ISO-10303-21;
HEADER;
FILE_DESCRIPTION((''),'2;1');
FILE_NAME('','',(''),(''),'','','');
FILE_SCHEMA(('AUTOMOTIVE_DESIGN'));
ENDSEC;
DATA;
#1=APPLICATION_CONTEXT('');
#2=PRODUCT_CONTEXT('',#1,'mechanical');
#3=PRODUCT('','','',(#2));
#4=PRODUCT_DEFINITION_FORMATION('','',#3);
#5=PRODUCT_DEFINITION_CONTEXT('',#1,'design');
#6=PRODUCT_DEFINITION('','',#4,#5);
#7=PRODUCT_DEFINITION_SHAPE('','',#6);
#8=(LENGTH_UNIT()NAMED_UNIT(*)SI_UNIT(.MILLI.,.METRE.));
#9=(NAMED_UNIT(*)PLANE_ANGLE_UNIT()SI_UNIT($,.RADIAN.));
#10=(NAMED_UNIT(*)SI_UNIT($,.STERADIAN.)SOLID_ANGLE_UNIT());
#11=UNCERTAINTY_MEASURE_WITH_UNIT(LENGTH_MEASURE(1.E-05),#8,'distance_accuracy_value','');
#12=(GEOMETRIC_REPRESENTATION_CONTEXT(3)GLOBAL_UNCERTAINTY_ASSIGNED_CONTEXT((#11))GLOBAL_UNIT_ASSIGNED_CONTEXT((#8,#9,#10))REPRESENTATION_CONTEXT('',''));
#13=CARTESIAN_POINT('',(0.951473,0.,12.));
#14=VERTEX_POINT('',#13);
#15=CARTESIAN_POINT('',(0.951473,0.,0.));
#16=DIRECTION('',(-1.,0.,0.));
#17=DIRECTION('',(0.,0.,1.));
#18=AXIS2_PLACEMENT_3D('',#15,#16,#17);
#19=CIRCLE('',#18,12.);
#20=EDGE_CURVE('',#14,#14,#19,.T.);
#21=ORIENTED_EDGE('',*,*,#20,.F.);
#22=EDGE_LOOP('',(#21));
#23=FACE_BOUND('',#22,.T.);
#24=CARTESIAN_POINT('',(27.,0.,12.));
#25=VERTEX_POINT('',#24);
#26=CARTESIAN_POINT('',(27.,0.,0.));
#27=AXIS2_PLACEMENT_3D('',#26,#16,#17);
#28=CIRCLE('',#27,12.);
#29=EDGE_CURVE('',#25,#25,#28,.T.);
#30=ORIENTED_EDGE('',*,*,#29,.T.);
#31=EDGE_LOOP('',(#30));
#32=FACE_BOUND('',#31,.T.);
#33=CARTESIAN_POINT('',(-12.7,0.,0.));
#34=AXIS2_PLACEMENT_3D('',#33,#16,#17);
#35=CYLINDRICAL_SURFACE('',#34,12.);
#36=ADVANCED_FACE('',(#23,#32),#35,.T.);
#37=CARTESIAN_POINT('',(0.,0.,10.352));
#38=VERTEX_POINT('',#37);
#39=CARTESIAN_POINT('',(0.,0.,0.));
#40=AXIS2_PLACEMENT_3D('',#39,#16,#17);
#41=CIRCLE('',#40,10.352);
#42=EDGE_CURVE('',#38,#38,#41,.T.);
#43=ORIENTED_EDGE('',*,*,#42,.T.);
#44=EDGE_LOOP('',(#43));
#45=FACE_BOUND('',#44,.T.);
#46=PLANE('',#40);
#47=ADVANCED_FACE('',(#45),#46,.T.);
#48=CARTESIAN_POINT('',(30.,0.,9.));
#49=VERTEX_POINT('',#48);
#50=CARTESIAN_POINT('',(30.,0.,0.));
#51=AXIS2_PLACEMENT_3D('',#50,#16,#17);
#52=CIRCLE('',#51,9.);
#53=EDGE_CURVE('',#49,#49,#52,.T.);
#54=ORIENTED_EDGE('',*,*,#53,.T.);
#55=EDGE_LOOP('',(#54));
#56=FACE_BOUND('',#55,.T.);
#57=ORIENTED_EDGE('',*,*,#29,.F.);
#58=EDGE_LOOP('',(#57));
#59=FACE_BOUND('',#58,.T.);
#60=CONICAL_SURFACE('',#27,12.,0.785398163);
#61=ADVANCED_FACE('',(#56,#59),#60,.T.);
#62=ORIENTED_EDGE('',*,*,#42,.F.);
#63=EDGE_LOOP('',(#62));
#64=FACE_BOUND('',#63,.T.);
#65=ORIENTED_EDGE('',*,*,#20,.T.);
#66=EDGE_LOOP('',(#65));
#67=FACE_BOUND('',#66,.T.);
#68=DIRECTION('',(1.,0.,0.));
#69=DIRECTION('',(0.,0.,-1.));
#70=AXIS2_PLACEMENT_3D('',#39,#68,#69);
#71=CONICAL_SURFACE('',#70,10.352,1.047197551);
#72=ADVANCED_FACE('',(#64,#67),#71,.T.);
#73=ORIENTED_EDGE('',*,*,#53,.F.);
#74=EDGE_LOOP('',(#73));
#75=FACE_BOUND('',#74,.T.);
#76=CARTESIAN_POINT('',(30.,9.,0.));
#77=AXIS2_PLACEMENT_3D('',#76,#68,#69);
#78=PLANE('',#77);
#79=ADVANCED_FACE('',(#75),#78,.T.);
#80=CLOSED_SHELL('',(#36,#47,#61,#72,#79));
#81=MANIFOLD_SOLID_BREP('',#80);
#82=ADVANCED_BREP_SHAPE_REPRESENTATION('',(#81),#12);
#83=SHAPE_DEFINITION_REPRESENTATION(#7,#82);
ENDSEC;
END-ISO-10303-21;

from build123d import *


with BuildPart() as part:
    # BodySke → BaseBody (revolve)
    with BuildSketch(Plane.XY, mode=Mode.PRIVATE) as basebody_sk:
        Polygon((0, 0), (0, 10.352), (0.951473244, 12), (27, 12), (30, 9), (30, 0), align=None)
    revolve(basebody_sk.sketch.rotate(Axis((-12.7, 0, 0), (1, 0, 0)), 90), axis=Axis((-12.7, 0, 0), (1, 0, 0)))


solid = part.part
